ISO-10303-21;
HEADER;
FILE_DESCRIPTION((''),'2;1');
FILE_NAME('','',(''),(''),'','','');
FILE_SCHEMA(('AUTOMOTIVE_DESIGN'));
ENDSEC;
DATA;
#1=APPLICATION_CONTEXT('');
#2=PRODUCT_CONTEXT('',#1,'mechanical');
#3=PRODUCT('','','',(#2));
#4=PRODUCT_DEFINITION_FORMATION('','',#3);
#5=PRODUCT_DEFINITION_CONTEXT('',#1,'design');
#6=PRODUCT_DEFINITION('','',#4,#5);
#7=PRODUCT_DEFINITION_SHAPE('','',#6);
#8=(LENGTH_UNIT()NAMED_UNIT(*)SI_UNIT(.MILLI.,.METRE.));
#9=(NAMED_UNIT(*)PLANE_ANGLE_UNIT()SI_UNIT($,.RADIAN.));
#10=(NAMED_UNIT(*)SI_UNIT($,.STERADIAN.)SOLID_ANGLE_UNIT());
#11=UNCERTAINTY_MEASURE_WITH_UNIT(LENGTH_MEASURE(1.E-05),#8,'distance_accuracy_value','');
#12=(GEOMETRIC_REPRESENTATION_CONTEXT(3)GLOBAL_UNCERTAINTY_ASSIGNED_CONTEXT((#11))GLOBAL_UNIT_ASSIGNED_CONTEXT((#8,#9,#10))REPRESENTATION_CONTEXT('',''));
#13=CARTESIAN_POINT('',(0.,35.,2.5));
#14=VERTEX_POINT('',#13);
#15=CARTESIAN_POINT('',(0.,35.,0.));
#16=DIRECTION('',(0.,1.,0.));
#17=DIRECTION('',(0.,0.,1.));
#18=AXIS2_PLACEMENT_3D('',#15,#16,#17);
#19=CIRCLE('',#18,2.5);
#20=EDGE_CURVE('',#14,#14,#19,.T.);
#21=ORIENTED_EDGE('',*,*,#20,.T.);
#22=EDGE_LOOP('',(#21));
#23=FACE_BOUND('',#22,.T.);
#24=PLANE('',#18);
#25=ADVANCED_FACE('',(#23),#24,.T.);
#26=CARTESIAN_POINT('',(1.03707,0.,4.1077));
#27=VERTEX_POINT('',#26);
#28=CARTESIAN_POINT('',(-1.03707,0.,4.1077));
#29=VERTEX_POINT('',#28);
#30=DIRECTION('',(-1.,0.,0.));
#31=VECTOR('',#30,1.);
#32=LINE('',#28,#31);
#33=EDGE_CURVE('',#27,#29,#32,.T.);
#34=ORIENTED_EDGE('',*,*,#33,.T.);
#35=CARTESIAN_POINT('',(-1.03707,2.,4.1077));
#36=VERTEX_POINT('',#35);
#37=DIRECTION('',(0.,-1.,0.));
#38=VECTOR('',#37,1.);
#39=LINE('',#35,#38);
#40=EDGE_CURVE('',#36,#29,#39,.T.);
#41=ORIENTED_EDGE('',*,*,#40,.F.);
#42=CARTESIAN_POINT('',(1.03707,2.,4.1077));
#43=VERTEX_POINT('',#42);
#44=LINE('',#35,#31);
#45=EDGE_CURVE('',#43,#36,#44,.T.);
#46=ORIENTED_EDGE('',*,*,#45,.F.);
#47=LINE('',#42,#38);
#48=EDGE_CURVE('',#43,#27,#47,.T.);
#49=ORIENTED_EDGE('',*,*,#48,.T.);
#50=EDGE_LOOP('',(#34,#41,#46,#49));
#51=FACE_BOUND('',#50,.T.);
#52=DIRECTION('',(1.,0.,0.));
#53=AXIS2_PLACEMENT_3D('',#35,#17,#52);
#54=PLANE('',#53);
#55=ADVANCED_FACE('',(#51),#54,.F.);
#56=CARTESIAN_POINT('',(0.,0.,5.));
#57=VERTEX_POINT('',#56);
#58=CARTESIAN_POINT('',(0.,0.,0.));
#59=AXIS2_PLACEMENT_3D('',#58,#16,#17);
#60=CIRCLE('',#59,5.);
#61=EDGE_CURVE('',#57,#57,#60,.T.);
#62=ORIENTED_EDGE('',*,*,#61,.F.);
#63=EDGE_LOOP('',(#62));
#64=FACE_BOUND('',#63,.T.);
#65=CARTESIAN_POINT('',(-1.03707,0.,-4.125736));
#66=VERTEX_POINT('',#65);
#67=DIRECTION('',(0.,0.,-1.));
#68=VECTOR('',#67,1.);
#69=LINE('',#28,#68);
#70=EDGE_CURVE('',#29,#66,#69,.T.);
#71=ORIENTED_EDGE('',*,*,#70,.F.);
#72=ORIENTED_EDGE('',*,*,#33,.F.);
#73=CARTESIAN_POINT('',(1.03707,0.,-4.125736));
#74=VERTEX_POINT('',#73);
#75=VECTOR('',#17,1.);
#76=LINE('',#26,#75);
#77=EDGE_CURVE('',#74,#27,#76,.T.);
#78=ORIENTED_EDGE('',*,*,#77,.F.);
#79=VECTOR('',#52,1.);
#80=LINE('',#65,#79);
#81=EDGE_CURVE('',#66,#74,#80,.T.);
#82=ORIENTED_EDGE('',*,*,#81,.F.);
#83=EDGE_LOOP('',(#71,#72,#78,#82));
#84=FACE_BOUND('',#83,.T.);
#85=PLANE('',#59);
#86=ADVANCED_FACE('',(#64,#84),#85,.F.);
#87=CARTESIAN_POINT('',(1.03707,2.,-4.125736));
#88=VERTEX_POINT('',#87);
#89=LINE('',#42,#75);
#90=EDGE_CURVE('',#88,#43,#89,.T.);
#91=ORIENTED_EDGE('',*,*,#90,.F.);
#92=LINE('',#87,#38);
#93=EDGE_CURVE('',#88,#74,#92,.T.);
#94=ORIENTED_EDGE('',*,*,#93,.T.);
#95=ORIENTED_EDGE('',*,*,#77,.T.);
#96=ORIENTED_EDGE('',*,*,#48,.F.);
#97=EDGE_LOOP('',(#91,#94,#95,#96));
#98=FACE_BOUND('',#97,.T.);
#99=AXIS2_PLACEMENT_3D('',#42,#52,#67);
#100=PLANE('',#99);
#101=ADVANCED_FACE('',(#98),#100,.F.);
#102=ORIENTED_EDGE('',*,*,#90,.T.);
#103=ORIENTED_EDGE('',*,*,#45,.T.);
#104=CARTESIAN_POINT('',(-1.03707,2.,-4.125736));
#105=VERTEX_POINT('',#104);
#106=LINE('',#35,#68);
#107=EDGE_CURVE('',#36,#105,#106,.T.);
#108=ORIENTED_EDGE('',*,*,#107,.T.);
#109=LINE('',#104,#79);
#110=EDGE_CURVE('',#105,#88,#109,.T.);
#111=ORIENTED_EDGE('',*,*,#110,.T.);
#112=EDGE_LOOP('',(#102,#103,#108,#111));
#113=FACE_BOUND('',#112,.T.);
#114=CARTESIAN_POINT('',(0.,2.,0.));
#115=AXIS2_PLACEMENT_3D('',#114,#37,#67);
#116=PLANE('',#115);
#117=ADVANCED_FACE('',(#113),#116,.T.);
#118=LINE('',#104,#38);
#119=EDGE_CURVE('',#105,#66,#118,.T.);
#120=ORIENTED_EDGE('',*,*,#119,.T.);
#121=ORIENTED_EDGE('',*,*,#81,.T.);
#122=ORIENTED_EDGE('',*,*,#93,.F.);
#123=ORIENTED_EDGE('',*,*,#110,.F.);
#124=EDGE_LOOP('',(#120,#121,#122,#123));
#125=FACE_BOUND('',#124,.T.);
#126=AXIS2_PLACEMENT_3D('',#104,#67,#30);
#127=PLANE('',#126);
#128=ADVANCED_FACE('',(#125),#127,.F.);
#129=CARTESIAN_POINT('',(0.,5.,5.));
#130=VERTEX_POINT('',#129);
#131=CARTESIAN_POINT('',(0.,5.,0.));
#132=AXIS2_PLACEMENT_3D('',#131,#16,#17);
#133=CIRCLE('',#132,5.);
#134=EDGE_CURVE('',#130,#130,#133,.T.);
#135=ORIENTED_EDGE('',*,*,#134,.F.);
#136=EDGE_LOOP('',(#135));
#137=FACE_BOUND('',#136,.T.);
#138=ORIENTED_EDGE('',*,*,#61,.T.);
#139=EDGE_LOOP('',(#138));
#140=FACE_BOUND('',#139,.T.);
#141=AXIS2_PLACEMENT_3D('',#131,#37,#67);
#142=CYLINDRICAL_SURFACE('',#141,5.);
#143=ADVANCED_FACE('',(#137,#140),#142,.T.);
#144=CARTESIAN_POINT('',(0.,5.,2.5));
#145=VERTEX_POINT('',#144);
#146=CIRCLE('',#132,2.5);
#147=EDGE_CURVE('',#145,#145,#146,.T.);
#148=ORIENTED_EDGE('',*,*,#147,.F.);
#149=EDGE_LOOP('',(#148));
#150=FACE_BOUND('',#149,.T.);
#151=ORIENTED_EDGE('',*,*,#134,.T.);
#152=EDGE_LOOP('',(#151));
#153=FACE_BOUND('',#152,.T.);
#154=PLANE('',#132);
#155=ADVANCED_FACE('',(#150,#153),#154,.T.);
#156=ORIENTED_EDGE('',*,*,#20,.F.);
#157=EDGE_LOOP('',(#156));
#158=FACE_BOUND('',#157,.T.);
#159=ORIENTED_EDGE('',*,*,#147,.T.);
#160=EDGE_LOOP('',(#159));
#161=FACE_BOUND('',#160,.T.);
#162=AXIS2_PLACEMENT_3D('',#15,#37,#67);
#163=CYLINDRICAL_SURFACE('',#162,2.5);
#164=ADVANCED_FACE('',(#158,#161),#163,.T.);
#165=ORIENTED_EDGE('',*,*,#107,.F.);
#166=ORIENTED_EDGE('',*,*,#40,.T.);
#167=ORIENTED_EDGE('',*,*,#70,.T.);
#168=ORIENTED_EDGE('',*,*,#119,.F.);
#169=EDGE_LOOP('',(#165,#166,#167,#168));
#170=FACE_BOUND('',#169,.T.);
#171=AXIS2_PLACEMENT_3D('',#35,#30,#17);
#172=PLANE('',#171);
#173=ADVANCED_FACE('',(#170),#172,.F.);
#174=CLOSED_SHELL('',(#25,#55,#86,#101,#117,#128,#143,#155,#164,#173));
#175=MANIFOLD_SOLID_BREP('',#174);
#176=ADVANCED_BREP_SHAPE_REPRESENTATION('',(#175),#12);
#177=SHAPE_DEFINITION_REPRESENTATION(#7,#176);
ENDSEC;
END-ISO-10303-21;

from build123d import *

# Parameters (mm, degrees)
SKETCH_1_R          = 5
EXTRUDE_1_DEPTH     = 5
SKETCH_2_R          = 2.5
EXTRUDE_2_DEPTH     = 30
SKETCH_3_W          = 2.0741403
SKETCH_3_H          = 8.233435191
CUT_EXTRUDE_1_DEPTH = 2


with BuildPart() as part:
    # 草图1 → 凸台-拉伸1 (new body)
    with BuildSketch(Plane(origin=(0, 0, 0), x_dir=(1, 0, 0), z_dir=(0, 1, 0))):
        with Locations(Location((0, 0, 0), (0, 0, 270))):
            Circle(SKETCH_1_R)
    extrude(amount=EXTRUDE_1_DEPTH)

    # 草图2 → 凸台-拉伸2 (add)
    with BuildSketch(Plane(origin=(0, 5, 0), x_dir=(1, 0, 0), z_dir=(0, 1, 0))):
        with Locations(Location((0, 0, 0), (0, 0, 270))):
            Circle(SKETCH_2_R)
    extrude(amount=EXTRUDE_2_DEPTH)

    # 草图3 → 切除-拉伸1 (cut)
    with BuildSketch(Plane.XZ):
        with Locations((0, -0.009018001)):
            Rectangle(SKETCH_3_W, SKETCH_3_H)
    extrude(amount=-CUT_EXTRUDE_1_DEPTH, mode=Mode.SUBTRACT)


solid = part.part
